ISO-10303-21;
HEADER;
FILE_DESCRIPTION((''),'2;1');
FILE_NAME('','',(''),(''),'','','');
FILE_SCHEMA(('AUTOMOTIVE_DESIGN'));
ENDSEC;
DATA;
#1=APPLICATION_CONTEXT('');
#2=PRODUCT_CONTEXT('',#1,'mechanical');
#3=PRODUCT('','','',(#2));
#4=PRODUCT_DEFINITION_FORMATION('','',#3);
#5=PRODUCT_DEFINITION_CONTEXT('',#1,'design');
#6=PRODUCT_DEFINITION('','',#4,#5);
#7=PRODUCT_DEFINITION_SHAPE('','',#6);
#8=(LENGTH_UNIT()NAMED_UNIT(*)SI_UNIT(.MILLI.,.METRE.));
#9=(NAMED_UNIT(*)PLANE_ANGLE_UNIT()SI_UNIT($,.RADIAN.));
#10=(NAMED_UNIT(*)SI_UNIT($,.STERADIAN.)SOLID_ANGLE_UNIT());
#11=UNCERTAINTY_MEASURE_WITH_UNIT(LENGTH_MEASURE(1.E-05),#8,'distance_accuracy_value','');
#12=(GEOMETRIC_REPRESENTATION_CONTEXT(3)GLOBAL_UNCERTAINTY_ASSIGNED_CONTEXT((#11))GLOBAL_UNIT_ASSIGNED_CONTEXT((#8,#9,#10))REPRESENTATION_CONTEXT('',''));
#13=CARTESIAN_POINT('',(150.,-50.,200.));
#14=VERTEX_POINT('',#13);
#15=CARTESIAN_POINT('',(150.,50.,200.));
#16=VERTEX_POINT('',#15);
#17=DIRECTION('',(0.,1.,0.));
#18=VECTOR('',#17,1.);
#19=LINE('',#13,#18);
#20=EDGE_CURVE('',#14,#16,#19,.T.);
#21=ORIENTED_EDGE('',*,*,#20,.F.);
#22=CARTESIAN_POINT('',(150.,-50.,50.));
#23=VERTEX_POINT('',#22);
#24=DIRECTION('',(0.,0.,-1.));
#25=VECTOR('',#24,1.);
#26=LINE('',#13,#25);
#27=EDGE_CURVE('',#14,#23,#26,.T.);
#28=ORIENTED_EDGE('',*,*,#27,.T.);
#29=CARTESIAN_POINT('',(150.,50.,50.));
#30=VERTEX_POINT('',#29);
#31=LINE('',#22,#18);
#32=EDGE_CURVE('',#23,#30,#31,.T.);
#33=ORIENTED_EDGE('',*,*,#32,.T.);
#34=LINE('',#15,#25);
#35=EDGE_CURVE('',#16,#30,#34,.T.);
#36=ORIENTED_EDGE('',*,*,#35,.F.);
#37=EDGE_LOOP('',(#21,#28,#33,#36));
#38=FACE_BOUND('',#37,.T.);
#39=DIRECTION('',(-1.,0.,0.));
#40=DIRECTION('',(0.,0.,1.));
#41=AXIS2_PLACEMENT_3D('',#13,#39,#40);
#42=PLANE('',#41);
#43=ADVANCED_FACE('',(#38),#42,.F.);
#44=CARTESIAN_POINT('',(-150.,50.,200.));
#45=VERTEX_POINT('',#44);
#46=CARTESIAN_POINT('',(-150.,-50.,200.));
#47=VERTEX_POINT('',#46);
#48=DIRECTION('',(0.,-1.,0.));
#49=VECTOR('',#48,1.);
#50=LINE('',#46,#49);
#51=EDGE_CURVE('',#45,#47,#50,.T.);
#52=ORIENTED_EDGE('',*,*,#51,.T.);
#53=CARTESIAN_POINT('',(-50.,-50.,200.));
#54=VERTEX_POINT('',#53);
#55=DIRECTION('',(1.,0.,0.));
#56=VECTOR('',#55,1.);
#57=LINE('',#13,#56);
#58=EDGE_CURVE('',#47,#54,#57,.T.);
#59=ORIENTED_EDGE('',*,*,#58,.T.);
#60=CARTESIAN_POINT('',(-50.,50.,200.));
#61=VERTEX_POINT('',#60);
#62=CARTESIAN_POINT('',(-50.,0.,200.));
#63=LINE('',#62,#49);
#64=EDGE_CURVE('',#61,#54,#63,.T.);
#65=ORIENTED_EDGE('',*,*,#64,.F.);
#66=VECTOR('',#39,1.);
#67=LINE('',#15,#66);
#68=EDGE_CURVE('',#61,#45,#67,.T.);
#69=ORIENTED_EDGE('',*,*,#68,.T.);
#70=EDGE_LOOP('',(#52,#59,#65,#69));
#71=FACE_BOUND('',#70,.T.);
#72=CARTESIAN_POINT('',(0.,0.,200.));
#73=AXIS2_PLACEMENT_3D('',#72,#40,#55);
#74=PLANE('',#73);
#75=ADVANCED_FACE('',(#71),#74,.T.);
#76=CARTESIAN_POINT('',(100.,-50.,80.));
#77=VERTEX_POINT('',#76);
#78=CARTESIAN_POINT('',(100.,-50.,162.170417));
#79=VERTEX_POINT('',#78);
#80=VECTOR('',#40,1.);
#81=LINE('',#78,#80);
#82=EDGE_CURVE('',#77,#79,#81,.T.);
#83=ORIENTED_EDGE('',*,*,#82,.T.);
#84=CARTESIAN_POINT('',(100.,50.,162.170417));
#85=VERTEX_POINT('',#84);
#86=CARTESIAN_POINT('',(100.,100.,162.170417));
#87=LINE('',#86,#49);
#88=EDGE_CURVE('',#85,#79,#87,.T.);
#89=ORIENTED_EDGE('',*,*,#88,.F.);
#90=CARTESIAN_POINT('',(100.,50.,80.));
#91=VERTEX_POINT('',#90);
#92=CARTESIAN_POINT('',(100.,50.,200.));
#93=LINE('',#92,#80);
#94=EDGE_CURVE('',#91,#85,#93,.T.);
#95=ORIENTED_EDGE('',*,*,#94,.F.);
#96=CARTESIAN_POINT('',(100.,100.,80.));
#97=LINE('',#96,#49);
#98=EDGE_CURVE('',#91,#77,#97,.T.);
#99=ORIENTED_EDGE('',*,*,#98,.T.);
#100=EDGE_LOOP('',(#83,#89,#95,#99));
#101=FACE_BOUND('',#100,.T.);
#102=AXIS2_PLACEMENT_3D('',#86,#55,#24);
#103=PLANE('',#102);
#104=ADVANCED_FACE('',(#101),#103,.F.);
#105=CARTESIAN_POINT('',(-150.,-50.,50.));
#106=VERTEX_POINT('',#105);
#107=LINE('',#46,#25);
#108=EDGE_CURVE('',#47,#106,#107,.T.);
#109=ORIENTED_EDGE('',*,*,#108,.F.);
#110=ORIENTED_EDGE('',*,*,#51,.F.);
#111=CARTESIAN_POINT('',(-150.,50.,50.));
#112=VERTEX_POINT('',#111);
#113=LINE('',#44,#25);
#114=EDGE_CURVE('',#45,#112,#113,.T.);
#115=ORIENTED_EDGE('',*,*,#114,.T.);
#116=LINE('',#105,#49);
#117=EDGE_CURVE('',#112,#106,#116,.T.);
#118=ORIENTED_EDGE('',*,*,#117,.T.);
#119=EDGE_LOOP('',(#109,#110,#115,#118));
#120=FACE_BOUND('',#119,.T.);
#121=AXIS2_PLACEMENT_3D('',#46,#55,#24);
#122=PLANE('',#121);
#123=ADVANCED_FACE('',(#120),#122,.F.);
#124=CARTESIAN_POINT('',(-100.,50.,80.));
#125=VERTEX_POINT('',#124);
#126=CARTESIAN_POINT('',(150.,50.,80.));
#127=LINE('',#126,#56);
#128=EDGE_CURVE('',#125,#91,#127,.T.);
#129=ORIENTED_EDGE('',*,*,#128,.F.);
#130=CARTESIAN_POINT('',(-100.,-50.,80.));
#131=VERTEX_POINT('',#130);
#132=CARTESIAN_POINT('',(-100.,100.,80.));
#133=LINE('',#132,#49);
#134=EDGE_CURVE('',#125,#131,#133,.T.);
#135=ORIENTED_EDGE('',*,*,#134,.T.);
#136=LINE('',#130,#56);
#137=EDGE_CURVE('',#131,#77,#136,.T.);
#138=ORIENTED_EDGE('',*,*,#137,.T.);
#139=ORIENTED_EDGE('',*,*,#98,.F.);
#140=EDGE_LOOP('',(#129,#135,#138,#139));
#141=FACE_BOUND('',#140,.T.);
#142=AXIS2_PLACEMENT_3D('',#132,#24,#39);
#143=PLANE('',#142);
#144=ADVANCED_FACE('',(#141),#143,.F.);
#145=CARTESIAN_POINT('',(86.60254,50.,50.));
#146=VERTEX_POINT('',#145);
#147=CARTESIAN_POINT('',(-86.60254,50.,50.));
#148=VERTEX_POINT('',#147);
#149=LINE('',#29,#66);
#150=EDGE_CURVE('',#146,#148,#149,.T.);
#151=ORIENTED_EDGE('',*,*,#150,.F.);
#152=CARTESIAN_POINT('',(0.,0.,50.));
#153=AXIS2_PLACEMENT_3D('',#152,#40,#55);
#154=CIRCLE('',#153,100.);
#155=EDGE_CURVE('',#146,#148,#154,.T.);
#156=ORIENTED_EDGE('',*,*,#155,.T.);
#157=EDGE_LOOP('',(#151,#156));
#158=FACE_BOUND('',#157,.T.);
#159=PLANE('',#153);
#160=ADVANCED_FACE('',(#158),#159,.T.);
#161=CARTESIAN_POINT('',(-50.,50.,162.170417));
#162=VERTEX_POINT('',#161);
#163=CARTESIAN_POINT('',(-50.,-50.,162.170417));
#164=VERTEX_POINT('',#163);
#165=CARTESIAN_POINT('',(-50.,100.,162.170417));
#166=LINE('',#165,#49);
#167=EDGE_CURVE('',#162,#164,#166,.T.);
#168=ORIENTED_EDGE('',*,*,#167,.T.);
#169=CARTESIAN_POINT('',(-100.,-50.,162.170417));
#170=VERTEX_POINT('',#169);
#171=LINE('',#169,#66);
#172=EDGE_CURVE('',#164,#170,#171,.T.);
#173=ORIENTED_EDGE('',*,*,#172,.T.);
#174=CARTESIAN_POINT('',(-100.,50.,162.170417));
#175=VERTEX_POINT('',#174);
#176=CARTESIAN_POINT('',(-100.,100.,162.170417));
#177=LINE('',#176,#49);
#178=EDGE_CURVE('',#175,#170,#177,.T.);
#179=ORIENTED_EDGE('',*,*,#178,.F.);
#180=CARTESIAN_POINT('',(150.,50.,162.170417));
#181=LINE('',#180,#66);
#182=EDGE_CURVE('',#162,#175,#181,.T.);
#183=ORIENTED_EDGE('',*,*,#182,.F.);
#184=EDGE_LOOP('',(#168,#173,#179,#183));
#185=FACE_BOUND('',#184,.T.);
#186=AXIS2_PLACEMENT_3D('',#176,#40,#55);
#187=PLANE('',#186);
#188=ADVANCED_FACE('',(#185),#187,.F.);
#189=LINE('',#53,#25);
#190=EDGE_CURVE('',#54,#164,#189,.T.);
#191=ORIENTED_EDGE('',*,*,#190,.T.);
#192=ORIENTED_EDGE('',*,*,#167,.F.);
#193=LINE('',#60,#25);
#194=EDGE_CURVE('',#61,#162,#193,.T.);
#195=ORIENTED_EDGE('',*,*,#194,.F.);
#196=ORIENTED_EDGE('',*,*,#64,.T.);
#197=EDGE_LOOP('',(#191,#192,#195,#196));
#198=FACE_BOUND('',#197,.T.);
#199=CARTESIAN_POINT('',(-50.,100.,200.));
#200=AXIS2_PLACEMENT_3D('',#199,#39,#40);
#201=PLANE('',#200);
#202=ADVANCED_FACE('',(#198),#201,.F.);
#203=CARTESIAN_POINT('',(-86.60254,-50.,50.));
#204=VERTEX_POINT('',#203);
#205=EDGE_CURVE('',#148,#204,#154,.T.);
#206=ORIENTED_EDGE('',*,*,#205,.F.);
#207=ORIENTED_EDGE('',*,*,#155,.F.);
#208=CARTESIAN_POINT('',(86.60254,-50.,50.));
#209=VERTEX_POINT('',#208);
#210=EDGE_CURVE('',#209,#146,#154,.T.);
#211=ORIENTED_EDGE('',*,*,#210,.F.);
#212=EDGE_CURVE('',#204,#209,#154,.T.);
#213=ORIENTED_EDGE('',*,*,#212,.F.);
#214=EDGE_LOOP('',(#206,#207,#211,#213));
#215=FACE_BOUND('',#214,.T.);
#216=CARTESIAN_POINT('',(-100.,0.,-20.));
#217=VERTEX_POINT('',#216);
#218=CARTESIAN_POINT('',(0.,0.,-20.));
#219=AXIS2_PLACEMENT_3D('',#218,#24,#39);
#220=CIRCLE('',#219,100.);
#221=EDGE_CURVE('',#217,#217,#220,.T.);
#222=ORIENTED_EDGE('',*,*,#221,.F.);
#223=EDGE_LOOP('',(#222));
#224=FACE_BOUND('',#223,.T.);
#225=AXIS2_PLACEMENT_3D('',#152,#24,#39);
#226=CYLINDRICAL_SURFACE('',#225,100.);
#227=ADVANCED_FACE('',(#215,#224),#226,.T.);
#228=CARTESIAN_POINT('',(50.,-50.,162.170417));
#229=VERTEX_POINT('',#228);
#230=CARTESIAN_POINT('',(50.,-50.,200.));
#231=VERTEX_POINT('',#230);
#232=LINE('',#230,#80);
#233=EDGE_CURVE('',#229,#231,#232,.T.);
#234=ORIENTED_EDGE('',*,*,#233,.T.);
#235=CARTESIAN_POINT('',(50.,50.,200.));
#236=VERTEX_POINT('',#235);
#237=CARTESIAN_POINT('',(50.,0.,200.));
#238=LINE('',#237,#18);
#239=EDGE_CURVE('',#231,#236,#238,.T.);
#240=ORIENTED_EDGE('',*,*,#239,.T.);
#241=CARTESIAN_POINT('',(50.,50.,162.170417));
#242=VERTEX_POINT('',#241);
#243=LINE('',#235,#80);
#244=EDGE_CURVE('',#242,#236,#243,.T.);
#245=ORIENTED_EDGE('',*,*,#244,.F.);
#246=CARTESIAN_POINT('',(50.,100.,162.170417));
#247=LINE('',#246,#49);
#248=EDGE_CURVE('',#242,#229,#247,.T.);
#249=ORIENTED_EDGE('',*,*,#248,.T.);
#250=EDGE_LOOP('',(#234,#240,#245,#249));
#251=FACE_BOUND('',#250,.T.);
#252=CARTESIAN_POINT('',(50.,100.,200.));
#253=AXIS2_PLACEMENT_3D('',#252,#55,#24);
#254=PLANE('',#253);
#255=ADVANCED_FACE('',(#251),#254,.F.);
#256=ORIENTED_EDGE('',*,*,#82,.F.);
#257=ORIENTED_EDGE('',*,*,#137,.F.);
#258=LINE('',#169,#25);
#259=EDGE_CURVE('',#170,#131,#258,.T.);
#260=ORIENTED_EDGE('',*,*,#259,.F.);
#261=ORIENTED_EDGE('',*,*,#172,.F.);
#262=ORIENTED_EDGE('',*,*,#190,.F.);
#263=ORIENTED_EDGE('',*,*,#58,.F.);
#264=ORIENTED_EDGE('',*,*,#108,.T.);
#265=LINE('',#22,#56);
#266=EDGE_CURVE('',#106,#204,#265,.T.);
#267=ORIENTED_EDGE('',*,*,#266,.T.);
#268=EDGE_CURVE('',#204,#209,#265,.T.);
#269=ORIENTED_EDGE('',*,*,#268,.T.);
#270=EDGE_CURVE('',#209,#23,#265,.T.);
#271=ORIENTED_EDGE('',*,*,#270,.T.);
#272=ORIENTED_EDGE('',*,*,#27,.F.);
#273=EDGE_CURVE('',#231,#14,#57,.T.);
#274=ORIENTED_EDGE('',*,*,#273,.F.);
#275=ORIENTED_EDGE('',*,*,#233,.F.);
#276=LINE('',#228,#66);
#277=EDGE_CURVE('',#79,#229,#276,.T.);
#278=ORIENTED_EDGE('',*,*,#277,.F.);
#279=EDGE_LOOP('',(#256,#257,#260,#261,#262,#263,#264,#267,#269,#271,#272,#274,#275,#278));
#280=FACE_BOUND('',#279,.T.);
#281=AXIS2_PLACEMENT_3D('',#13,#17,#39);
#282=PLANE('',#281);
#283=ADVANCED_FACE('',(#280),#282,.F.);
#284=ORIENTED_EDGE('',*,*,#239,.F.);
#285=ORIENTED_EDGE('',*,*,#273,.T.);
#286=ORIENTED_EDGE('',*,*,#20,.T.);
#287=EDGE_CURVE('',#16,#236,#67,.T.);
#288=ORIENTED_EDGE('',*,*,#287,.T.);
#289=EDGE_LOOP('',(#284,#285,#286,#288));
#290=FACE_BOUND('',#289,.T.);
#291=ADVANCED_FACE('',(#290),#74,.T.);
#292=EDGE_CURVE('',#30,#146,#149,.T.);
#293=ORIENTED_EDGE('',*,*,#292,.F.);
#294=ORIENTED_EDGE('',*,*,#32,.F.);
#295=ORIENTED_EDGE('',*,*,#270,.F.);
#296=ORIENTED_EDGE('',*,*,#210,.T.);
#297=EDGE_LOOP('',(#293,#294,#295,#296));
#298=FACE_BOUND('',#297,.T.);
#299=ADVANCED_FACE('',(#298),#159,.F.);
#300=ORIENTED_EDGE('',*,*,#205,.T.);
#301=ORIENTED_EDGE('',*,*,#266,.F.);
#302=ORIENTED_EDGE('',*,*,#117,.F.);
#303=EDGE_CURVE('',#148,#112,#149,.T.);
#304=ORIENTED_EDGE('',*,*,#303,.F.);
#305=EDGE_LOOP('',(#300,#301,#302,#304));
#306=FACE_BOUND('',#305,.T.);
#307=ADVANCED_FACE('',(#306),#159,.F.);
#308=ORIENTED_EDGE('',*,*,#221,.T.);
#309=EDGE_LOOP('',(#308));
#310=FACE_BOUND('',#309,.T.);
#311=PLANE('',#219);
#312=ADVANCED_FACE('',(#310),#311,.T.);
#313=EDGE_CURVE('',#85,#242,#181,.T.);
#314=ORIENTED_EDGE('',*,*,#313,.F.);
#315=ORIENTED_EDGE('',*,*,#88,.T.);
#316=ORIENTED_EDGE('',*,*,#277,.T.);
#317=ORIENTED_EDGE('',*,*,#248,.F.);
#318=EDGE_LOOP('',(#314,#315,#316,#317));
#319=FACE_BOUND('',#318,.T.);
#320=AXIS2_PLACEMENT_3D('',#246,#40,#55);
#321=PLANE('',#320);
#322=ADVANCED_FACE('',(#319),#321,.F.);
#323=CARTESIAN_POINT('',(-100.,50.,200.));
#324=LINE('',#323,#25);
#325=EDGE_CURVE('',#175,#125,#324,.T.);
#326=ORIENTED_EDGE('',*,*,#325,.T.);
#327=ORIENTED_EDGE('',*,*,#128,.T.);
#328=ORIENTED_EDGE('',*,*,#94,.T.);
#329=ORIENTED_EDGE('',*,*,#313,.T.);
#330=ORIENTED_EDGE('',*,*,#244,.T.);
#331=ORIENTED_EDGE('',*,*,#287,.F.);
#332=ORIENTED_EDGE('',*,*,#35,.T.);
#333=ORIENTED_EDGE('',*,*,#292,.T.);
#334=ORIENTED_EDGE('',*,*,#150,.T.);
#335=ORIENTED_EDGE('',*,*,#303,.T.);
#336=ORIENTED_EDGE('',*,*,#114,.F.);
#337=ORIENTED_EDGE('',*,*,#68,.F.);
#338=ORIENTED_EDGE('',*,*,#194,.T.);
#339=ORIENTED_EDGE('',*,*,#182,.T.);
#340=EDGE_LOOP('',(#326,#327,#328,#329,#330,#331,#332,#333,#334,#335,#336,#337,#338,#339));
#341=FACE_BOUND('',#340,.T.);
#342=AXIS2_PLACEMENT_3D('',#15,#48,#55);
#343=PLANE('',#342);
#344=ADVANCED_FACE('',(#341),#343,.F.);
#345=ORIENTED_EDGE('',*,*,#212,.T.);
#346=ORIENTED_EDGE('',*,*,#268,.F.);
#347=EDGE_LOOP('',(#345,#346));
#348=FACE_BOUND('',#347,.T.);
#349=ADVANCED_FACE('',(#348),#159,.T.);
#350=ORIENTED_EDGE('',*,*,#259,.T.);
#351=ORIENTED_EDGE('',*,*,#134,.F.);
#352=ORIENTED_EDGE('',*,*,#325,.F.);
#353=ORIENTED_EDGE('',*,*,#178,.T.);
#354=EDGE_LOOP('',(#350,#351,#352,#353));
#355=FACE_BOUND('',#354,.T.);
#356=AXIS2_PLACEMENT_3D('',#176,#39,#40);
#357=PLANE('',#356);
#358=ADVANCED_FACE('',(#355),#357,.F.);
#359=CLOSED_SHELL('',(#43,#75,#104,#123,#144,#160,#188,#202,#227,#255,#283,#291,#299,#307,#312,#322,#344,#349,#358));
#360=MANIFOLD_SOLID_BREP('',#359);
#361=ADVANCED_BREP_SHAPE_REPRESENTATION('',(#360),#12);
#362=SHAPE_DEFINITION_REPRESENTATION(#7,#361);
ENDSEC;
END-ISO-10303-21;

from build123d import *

# Parameters (mm, degrees)
CROQUIS1_R              = 100
SALIENTE_EXTRUIR1_DEPTH = 50
CROQUIS2_W              = 300
CROQUIS2_H              = 100
SALIENTE_EXTRUIR2_DEPTH = 150
CORTAR_EXTRUIR1_DEPTH   = 150
CROQUIS6_R              = 100
SALIENTE_EXTRUIR3_DEPTH = 20


with BuildPart() as part:
    # Croquis1 → Saliente-Extruir1 (new body)
    with BuildSketch(Plane.XY):
        Circle(CROQUIS1_R)
    extrude(amount=SALIENTE_EXTRUIR1_DEPTH)

    # Croquis2 → Saliente-Extruir2 (add)
    with BuildSketch(Plane.XY.offset(50)):
        Rectangle(CROQUIS2_W, CROQUIS2_H)
    extrude(amount=SALIENTE_EXTRUIR2_DEPTH)

    # Croquis3 → Cortar-Extruir1 (cut)
    with BuildSketch(Plane.XZ.offset(50)):
        Polygon((-100, 162.170416567), (-50, 162.170416567), (-50, 200), (50, 200), (50, 162.170416567), (100, 162.170416567), (100, 80), (-100, 80), align=None)
    extrude(amount=-CORTAR_EXTRUIR1_DEPTH, mode=Mode.SUBTRACT)

    # Croquis6 → Saliente-Extruir3 (add)
    with BuildSketch(Plane(origin=(0, 0, 0), x_dir=(-1, 0, 0), z_dir=(0, 0, -1))):
        Circle(CROQUIS6_R)
    extrude(amount=SALIENTE_EXTRUIR3_DEPTH)


solid = part.part
